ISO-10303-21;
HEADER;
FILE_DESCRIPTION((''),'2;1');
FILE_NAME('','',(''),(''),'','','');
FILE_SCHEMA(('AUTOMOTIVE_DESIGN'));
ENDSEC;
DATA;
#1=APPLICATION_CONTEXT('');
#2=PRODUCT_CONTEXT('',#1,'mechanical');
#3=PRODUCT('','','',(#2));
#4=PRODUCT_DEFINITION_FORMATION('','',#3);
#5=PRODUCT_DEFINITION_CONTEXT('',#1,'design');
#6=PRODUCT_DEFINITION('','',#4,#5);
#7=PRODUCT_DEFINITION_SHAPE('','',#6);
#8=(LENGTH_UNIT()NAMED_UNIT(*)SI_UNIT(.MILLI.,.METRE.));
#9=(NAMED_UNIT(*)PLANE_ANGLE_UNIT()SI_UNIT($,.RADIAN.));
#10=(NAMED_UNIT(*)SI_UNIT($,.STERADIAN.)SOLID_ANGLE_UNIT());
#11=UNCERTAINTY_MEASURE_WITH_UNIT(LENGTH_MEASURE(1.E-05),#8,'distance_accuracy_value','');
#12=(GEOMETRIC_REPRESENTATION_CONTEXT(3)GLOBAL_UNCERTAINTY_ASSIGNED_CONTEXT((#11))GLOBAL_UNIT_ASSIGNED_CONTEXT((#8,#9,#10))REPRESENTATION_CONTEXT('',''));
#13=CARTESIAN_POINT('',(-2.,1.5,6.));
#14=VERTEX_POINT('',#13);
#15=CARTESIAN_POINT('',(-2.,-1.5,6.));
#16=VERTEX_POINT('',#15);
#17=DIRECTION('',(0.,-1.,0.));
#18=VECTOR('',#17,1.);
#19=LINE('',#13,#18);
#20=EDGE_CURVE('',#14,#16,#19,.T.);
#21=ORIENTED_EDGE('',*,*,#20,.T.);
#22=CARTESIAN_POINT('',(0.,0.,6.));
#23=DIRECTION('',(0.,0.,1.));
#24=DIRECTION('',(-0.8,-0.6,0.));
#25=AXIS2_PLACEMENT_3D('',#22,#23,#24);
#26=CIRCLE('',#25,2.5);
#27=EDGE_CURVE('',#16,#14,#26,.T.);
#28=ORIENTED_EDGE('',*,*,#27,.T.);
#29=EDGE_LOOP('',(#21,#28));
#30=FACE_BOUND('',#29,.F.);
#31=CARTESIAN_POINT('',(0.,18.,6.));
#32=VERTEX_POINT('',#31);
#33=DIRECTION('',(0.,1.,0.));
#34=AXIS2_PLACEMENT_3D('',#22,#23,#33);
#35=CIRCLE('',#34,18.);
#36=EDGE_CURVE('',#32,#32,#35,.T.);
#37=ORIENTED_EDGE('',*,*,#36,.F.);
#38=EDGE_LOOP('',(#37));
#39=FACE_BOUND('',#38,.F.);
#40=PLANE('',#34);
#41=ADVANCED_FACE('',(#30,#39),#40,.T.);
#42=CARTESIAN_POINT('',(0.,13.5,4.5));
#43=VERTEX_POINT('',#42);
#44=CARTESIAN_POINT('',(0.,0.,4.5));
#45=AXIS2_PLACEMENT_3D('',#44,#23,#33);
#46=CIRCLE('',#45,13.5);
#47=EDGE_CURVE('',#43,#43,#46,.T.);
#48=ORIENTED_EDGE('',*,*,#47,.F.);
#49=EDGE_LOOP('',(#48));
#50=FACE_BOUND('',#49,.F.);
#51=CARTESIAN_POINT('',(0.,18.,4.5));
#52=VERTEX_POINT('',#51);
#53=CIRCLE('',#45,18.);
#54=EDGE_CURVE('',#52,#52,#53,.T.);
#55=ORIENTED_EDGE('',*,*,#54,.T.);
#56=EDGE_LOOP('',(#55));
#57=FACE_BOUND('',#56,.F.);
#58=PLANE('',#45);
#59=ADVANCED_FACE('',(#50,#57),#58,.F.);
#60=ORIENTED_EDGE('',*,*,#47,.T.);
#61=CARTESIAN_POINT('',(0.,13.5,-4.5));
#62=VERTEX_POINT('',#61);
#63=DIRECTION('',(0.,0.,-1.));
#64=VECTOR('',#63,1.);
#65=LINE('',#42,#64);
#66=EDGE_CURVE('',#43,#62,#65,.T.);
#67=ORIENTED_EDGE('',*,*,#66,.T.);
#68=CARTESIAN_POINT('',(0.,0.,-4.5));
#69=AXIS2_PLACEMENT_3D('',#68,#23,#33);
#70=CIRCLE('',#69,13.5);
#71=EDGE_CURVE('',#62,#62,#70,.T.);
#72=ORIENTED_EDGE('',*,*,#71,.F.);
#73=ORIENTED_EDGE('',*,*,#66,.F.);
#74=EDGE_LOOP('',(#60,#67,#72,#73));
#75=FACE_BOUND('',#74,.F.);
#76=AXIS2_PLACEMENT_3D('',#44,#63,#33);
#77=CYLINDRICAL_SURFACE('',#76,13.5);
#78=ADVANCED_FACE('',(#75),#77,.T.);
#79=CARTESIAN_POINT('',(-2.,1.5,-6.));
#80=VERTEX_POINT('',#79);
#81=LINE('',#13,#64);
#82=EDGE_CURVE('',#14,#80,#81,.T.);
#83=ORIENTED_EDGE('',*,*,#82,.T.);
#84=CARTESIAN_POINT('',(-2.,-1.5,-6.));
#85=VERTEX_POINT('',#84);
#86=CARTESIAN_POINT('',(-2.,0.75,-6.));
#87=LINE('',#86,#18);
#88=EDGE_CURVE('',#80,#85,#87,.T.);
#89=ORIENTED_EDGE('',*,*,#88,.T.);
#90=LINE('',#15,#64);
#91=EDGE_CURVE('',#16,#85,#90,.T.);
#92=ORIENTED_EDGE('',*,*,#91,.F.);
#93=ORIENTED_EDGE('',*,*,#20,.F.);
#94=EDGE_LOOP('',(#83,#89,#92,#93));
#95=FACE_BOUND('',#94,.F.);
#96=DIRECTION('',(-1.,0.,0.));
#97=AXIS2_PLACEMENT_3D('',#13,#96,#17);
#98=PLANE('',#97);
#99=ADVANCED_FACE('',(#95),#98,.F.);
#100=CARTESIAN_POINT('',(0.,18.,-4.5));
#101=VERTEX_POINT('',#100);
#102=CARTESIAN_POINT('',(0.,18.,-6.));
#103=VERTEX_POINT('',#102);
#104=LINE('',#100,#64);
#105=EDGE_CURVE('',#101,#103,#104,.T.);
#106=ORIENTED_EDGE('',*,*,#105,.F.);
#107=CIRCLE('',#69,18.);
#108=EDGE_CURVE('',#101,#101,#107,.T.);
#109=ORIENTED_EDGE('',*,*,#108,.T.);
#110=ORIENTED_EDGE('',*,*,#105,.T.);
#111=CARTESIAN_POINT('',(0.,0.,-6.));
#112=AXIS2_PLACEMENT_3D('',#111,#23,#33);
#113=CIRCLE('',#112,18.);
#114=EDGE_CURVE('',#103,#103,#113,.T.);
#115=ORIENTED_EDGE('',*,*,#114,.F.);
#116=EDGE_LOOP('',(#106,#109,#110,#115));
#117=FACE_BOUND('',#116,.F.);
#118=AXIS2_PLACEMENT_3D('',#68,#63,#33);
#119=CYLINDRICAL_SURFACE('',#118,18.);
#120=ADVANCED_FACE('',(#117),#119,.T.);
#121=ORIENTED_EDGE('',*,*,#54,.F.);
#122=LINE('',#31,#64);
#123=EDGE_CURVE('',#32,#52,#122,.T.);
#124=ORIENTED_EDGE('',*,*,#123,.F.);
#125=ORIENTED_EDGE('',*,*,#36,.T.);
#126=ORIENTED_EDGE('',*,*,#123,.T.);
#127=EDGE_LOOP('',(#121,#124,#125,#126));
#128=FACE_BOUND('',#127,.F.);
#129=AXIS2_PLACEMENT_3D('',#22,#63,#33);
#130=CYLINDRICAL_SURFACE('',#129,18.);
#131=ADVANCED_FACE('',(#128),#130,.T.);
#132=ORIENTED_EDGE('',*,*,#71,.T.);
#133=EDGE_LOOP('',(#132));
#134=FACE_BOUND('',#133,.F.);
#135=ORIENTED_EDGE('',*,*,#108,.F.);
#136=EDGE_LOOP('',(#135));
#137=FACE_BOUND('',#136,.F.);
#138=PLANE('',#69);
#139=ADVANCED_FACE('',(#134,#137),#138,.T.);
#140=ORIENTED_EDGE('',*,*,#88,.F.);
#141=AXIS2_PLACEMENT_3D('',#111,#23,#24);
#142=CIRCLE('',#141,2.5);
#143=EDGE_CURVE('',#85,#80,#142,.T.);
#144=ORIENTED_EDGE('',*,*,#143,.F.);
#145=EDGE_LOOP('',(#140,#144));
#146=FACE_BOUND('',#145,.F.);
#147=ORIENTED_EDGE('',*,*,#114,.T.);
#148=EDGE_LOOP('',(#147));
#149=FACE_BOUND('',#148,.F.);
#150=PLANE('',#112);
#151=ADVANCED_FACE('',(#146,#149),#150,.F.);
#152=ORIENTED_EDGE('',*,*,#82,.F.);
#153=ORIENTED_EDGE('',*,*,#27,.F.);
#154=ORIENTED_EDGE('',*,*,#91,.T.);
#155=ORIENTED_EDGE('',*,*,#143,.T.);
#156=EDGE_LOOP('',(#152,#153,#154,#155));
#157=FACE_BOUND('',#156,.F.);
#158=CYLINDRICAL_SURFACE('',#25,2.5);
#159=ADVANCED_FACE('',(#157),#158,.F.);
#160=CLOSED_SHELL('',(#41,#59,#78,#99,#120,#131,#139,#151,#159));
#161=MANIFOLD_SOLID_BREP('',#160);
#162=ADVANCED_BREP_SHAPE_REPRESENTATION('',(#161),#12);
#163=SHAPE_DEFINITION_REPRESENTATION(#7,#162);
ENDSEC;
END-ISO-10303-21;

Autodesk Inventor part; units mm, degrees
ref_plane "YZ Plane" through (0, 0, 0) normal (1, 0, 0) x (0, 1, 0)
ref_plane "XZ Plane" through (0, 0, 0) normal (0, 1, 0) x (-1, 0, 0)
ref_plane "XY Plane" through (0, 0, 0) normal (0, 0, 1) x (1, 0, 0)
sketch "Sketch2" plane through (0, 0, 0) normal (1, 0, 0) x (0, 1, 0)
  line L0 (0, 6) -> (18, 6)
  line L1 (18, 6) -> (18, 4.5)
  line L2 (18, 4.5) -> (13.5, 4.5)
  line L3 (13.5, 4.5) -> (13.5, -4.5)
  line L4 (13.5, -4.5) -> (18, -4.5)
  line L5 (18, -4.5) -> (18, -6)
  line L6 (18, -6) -> (0, -6)
  line L7 (0, -6) -> (0, 6)
  point P0 (0, 0)
  point P1 (18, -5.25)
  dimension "d0" = 18
  dimension "d1" = 4.5
  dimension "d2" = 18
  dimension "d3" = 12
  dimension "d4" = 6
  dimension "d5" = 1.5
revolve "Revolution1" add sketch "Sketch2" angle 360 about axis through (0, 0, -6) along (0, 0, 1)
sketch "Sketch3" plane through (0, 0, 6) normal (0, 0, 1) x (1, 0, 0)
  arc A0 (-2, -1.5) -> (-2, 1.5) centre (0, 0) ccw
  line L0 (-2, 1.5) -> (-2, -1.5)
  point P0 (0, 0)
  dimension "d14" = 5
  dimension "d15" = 3
extrude "Extrusion1" cut sketch "Sketch3" against normal through all
properties part number "Pulley"
